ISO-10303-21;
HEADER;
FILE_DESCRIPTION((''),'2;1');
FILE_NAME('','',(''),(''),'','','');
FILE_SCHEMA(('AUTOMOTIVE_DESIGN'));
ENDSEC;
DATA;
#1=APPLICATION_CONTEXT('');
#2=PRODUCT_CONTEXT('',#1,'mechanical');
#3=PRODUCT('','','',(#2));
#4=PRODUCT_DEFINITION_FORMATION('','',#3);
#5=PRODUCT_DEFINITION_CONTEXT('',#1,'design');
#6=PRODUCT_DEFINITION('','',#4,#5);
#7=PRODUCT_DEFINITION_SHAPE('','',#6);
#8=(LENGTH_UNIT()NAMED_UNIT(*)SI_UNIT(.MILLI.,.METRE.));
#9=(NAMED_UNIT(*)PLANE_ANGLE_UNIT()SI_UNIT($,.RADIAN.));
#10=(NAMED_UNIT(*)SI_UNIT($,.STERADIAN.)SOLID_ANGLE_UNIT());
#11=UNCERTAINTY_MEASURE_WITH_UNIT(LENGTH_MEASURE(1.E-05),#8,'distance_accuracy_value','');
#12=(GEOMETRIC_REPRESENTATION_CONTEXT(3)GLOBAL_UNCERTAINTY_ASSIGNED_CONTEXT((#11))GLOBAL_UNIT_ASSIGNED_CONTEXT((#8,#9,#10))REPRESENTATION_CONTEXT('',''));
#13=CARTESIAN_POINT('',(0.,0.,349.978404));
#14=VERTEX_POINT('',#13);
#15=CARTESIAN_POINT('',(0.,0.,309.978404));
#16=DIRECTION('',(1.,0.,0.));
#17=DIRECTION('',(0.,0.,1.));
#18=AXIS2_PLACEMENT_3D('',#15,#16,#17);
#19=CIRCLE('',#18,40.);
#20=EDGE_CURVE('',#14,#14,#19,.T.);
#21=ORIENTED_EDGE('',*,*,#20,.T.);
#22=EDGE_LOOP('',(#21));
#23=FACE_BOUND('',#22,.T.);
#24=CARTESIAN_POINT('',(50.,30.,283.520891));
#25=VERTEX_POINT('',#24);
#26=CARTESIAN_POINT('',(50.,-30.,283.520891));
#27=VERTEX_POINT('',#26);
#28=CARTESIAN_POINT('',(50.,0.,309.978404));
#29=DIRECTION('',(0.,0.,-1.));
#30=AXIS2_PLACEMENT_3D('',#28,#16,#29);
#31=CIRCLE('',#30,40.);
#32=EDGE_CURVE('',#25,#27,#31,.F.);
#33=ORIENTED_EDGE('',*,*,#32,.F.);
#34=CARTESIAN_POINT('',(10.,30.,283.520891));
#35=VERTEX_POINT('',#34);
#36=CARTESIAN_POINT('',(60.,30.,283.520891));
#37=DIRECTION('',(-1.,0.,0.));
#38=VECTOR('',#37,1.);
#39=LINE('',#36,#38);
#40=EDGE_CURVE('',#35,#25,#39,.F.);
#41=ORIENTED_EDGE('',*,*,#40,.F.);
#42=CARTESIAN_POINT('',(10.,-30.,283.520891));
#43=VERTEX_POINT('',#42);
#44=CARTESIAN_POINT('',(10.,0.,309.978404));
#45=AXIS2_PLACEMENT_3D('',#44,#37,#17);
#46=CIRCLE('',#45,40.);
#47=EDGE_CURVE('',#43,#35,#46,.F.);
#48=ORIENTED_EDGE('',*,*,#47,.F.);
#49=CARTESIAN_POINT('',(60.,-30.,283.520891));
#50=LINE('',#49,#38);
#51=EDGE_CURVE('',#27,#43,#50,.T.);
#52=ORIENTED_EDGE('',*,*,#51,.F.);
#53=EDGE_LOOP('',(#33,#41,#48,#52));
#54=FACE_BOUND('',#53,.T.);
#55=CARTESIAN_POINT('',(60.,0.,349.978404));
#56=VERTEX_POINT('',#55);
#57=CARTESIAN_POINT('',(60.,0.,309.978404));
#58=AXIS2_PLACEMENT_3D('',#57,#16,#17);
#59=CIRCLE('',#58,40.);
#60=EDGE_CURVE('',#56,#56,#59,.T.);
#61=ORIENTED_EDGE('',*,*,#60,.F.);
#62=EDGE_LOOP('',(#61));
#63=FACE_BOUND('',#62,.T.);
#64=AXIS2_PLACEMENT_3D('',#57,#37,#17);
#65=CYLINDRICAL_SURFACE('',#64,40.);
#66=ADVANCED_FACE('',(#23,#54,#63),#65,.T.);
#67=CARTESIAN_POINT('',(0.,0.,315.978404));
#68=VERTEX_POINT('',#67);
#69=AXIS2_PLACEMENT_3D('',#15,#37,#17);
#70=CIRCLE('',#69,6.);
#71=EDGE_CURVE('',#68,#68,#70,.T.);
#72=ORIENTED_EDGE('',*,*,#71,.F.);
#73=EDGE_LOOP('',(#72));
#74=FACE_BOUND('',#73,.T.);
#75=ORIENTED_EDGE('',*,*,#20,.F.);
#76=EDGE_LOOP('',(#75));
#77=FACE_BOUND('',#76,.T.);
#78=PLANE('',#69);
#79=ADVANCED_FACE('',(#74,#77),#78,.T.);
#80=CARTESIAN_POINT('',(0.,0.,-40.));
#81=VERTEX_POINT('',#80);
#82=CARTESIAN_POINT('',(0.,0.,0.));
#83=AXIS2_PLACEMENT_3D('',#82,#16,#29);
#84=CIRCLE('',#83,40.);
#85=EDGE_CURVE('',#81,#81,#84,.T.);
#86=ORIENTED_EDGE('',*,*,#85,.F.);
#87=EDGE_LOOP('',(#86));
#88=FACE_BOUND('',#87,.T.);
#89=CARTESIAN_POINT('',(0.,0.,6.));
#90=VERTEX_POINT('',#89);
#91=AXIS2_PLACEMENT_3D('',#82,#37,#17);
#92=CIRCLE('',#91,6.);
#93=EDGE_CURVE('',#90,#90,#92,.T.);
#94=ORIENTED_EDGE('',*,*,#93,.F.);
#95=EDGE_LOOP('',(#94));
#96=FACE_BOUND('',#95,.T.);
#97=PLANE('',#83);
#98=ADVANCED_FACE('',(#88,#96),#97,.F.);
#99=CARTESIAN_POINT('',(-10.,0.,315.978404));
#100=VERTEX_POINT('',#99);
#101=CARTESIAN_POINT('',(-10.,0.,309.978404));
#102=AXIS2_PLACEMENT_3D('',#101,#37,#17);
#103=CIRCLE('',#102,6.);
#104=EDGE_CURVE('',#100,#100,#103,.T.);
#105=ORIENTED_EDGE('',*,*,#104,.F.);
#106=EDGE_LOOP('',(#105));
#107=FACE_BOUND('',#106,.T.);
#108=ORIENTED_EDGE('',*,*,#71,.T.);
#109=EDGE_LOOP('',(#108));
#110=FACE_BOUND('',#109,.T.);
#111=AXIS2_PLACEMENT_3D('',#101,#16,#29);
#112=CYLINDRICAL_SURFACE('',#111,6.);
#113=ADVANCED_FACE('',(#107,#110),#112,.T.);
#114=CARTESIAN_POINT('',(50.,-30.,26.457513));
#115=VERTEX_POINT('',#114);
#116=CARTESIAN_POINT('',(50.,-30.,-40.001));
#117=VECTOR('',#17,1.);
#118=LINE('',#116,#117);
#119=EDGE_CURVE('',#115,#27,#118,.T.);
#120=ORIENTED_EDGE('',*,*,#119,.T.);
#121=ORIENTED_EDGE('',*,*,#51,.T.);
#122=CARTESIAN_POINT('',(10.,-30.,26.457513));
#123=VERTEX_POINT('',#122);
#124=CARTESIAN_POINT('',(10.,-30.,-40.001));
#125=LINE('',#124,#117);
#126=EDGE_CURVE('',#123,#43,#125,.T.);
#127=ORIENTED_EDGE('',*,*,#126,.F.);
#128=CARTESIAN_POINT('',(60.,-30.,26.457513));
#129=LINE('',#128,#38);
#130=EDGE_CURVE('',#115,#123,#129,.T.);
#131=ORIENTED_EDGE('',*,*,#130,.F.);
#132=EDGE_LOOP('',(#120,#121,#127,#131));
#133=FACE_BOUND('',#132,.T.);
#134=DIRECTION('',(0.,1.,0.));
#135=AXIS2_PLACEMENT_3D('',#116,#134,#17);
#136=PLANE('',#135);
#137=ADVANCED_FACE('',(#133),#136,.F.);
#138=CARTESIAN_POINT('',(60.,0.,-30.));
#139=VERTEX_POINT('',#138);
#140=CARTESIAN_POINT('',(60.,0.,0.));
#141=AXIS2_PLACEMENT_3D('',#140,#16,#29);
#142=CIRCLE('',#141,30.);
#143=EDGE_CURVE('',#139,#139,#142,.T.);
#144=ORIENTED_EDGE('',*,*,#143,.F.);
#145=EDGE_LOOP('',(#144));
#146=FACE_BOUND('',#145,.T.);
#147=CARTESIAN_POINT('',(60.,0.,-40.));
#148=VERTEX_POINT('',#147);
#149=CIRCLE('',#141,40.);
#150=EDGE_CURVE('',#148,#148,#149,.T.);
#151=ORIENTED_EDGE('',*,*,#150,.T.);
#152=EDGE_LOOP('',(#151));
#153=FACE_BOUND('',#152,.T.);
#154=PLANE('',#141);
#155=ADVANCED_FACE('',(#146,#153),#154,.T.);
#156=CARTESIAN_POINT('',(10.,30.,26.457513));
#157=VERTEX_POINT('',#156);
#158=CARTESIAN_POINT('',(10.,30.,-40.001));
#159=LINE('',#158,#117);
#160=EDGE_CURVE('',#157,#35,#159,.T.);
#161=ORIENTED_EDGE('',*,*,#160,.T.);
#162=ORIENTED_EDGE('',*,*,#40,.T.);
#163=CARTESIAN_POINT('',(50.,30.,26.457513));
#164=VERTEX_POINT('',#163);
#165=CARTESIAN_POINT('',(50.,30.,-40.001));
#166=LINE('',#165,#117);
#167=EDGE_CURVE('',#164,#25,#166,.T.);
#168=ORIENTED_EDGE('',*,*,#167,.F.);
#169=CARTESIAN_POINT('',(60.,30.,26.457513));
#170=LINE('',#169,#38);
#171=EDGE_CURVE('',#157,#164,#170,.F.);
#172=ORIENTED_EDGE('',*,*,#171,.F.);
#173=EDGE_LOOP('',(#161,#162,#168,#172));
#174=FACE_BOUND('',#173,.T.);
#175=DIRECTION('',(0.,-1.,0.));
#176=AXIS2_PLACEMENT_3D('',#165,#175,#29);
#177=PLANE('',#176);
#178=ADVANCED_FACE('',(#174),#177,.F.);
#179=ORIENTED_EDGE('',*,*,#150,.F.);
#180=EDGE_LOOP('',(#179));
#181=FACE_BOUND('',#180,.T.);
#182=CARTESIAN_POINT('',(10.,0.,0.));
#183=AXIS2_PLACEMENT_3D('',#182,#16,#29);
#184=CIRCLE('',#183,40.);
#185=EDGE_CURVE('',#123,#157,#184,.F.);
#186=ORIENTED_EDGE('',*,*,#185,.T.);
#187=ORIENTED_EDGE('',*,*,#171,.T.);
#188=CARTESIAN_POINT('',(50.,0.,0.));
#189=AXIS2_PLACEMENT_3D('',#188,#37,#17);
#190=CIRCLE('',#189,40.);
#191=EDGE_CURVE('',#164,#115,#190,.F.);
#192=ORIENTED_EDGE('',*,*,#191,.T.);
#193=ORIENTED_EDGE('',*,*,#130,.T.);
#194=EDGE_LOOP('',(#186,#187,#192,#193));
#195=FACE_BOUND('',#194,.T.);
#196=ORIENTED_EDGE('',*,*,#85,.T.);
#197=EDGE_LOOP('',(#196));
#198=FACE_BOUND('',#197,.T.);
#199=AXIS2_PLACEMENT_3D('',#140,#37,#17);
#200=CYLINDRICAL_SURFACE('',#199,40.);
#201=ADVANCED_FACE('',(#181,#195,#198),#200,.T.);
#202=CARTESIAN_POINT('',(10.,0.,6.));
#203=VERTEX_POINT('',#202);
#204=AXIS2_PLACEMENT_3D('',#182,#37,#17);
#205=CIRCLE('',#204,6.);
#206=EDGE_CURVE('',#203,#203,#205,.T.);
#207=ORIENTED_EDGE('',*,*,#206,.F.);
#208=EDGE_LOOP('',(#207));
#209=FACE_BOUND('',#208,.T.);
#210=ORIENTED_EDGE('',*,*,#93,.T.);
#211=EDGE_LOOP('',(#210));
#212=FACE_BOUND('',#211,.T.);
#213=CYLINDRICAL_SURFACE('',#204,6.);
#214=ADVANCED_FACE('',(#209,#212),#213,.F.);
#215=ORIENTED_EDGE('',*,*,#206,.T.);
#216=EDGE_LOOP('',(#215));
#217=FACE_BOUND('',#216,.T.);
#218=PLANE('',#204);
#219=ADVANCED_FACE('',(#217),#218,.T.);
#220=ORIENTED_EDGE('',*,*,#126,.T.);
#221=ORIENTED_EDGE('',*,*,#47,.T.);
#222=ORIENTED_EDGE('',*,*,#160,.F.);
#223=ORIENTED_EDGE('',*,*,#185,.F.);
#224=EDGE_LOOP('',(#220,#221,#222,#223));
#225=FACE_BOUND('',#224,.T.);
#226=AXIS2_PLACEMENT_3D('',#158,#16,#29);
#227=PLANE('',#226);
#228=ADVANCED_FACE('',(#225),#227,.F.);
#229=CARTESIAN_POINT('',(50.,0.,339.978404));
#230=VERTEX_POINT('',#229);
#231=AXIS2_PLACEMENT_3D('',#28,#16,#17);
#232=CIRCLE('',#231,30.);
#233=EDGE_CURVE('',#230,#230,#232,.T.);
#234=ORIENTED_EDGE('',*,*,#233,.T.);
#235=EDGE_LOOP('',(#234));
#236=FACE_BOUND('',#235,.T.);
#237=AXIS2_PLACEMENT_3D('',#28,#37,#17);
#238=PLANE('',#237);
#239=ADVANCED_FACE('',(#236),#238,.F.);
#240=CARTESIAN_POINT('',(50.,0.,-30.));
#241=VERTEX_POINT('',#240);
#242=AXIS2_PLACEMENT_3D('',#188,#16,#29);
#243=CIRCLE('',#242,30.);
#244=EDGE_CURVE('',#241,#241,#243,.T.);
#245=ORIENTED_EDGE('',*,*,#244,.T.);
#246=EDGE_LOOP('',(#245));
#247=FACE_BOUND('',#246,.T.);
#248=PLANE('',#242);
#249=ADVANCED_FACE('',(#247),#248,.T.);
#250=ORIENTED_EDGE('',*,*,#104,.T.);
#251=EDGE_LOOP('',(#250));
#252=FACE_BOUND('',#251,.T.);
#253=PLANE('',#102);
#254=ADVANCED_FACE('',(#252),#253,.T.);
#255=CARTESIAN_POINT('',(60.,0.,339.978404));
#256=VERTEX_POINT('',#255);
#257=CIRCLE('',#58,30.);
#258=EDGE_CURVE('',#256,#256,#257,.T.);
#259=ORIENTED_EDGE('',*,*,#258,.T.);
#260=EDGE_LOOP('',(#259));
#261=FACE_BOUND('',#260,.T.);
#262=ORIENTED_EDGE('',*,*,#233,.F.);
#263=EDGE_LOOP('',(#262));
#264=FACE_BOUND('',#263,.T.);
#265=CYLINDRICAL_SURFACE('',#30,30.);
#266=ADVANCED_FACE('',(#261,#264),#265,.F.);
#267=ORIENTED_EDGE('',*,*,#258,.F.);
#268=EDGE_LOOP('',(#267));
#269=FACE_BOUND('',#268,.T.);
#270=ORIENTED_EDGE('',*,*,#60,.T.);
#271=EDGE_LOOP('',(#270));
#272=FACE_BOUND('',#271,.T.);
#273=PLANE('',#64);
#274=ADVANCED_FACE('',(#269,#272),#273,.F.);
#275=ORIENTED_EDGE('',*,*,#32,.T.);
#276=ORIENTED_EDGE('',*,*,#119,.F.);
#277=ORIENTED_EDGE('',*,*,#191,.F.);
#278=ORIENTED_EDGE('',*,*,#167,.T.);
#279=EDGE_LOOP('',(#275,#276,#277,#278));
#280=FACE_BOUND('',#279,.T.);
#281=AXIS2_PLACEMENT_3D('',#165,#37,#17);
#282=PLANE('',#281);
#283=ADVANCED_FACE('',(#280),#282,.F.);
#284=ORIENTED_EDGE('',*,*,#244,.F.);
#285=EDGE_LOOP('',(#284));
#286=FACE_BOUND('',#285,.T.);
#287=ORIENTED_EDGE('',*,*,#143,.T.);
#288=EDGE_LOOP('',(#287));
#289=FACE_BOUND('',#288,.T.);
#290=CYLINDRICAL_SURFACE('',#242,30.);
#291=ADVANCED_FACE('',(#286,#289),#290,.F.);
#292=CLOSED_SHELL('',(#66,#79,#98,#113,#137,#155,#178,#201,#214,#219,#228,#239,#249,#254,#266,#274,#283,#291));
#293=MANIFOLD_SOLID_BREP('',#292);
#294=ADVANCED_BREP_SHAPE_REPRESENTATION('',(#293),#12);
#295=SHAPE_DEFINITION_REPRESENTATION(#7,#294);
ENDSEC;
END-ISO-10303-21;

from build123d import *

# Parameters (mm, degrees)
SKETCH1_R             = 40
BOSS_EXTRUDE1_DEPTH   = 60
BOSS_EXTRUDE1_2_DEPTH = 60
BOSS_EXTRUDE2_START   = -121.840385
SKETCH5_W             = 40
SKETCH5_H             = 60
BOSS_EXTRUDE2_DEPTH   = 257.063378
SKETCH7_R             = 6
CUT_EXTRUDE5_DEPTH    = 10
SKETCH8_R             = 6
BOSS_EXTRUDE3_DEPTH   = 10
SKETCH2_R             = 30
CUT_EXTRUDE6_DEPTH    = 10


with BuildPart() as part:
    # Sketch1 → Boss-Extrude1 (new body)
    with BuildSketch(Plane(origin=(0, 0, 0), x_dir=(0, 0, -1), z_dir=(1, 0, 0))):
        Circle(SKETCH1_R)
    extrude(amount=BOSS_EXTRUDE1_DEPTH)



with BuildPart() as body_2:
    # Sketch1 → Boss-Extrude1 2 (new body)
    with BuildSketch(Plane(origin=(0, 0, 0), x_dir=(0, 0, -1), z_dir=(1, 0, 0))):
        with Locations((-309.978404015, 0)):
            Circle(SKETCH1_R)
    extrude(amount=BOSS_EXTRUDE1_2_DEPTH)


with BuildPart() as part_1:
    add(part.part)

    add(body_2.part)  # Boss-Extrude2 merges body 2
    # Sketch5 → Boss-Extrude2 (add)
    with BuildSketch(Plane(origin=(0, 0, 161.680506403), x_dir=(-1, 0, 0), z_dir=(0, 0, -1)).offset(BOSS_EXTRUDE2_START)):
        with Locations((-30, 0)):
            Rectangle(SKETCH5_W, SKETCH5_H)
    extrude(amount=BOSS_EXTRUDE2_DEPTH)

    # Sketch7 → Cut-Extrude5 (cut)
    with BuildSketch(Plane.ZY):
        Circle(SKETCH7_R)
    extrude(amount=-CUT_EXTRUDE5_DEPTH, mode=Mode.SUBTRACT)

    # Sketch8 → Boss-Extrude3 (add)
    with BuildSketch(Plane.ZY):
        with Locations((309.978404015, 0)):
            Circle(SKETCH8_R)
    extrude(amount=BOSS_EXTRUDE3_DEPTH)

    # Sketch2 → Cut-Extrude6 (cut)
    with BuildSketch(Plane(origin=(60, 0, 0), x_dir=(0, 0, -1), z_dir=(1, 0, 0))):
        Circle(SKETCH2_R)
        with Locations((-309.978404015, 0)):
            Circle(SKETCH2_R)
    extrude(amount=-CUT_EXTRUDE6_DEPTH, mode=Mode.SUBTRACT)


solid = part_1.part
